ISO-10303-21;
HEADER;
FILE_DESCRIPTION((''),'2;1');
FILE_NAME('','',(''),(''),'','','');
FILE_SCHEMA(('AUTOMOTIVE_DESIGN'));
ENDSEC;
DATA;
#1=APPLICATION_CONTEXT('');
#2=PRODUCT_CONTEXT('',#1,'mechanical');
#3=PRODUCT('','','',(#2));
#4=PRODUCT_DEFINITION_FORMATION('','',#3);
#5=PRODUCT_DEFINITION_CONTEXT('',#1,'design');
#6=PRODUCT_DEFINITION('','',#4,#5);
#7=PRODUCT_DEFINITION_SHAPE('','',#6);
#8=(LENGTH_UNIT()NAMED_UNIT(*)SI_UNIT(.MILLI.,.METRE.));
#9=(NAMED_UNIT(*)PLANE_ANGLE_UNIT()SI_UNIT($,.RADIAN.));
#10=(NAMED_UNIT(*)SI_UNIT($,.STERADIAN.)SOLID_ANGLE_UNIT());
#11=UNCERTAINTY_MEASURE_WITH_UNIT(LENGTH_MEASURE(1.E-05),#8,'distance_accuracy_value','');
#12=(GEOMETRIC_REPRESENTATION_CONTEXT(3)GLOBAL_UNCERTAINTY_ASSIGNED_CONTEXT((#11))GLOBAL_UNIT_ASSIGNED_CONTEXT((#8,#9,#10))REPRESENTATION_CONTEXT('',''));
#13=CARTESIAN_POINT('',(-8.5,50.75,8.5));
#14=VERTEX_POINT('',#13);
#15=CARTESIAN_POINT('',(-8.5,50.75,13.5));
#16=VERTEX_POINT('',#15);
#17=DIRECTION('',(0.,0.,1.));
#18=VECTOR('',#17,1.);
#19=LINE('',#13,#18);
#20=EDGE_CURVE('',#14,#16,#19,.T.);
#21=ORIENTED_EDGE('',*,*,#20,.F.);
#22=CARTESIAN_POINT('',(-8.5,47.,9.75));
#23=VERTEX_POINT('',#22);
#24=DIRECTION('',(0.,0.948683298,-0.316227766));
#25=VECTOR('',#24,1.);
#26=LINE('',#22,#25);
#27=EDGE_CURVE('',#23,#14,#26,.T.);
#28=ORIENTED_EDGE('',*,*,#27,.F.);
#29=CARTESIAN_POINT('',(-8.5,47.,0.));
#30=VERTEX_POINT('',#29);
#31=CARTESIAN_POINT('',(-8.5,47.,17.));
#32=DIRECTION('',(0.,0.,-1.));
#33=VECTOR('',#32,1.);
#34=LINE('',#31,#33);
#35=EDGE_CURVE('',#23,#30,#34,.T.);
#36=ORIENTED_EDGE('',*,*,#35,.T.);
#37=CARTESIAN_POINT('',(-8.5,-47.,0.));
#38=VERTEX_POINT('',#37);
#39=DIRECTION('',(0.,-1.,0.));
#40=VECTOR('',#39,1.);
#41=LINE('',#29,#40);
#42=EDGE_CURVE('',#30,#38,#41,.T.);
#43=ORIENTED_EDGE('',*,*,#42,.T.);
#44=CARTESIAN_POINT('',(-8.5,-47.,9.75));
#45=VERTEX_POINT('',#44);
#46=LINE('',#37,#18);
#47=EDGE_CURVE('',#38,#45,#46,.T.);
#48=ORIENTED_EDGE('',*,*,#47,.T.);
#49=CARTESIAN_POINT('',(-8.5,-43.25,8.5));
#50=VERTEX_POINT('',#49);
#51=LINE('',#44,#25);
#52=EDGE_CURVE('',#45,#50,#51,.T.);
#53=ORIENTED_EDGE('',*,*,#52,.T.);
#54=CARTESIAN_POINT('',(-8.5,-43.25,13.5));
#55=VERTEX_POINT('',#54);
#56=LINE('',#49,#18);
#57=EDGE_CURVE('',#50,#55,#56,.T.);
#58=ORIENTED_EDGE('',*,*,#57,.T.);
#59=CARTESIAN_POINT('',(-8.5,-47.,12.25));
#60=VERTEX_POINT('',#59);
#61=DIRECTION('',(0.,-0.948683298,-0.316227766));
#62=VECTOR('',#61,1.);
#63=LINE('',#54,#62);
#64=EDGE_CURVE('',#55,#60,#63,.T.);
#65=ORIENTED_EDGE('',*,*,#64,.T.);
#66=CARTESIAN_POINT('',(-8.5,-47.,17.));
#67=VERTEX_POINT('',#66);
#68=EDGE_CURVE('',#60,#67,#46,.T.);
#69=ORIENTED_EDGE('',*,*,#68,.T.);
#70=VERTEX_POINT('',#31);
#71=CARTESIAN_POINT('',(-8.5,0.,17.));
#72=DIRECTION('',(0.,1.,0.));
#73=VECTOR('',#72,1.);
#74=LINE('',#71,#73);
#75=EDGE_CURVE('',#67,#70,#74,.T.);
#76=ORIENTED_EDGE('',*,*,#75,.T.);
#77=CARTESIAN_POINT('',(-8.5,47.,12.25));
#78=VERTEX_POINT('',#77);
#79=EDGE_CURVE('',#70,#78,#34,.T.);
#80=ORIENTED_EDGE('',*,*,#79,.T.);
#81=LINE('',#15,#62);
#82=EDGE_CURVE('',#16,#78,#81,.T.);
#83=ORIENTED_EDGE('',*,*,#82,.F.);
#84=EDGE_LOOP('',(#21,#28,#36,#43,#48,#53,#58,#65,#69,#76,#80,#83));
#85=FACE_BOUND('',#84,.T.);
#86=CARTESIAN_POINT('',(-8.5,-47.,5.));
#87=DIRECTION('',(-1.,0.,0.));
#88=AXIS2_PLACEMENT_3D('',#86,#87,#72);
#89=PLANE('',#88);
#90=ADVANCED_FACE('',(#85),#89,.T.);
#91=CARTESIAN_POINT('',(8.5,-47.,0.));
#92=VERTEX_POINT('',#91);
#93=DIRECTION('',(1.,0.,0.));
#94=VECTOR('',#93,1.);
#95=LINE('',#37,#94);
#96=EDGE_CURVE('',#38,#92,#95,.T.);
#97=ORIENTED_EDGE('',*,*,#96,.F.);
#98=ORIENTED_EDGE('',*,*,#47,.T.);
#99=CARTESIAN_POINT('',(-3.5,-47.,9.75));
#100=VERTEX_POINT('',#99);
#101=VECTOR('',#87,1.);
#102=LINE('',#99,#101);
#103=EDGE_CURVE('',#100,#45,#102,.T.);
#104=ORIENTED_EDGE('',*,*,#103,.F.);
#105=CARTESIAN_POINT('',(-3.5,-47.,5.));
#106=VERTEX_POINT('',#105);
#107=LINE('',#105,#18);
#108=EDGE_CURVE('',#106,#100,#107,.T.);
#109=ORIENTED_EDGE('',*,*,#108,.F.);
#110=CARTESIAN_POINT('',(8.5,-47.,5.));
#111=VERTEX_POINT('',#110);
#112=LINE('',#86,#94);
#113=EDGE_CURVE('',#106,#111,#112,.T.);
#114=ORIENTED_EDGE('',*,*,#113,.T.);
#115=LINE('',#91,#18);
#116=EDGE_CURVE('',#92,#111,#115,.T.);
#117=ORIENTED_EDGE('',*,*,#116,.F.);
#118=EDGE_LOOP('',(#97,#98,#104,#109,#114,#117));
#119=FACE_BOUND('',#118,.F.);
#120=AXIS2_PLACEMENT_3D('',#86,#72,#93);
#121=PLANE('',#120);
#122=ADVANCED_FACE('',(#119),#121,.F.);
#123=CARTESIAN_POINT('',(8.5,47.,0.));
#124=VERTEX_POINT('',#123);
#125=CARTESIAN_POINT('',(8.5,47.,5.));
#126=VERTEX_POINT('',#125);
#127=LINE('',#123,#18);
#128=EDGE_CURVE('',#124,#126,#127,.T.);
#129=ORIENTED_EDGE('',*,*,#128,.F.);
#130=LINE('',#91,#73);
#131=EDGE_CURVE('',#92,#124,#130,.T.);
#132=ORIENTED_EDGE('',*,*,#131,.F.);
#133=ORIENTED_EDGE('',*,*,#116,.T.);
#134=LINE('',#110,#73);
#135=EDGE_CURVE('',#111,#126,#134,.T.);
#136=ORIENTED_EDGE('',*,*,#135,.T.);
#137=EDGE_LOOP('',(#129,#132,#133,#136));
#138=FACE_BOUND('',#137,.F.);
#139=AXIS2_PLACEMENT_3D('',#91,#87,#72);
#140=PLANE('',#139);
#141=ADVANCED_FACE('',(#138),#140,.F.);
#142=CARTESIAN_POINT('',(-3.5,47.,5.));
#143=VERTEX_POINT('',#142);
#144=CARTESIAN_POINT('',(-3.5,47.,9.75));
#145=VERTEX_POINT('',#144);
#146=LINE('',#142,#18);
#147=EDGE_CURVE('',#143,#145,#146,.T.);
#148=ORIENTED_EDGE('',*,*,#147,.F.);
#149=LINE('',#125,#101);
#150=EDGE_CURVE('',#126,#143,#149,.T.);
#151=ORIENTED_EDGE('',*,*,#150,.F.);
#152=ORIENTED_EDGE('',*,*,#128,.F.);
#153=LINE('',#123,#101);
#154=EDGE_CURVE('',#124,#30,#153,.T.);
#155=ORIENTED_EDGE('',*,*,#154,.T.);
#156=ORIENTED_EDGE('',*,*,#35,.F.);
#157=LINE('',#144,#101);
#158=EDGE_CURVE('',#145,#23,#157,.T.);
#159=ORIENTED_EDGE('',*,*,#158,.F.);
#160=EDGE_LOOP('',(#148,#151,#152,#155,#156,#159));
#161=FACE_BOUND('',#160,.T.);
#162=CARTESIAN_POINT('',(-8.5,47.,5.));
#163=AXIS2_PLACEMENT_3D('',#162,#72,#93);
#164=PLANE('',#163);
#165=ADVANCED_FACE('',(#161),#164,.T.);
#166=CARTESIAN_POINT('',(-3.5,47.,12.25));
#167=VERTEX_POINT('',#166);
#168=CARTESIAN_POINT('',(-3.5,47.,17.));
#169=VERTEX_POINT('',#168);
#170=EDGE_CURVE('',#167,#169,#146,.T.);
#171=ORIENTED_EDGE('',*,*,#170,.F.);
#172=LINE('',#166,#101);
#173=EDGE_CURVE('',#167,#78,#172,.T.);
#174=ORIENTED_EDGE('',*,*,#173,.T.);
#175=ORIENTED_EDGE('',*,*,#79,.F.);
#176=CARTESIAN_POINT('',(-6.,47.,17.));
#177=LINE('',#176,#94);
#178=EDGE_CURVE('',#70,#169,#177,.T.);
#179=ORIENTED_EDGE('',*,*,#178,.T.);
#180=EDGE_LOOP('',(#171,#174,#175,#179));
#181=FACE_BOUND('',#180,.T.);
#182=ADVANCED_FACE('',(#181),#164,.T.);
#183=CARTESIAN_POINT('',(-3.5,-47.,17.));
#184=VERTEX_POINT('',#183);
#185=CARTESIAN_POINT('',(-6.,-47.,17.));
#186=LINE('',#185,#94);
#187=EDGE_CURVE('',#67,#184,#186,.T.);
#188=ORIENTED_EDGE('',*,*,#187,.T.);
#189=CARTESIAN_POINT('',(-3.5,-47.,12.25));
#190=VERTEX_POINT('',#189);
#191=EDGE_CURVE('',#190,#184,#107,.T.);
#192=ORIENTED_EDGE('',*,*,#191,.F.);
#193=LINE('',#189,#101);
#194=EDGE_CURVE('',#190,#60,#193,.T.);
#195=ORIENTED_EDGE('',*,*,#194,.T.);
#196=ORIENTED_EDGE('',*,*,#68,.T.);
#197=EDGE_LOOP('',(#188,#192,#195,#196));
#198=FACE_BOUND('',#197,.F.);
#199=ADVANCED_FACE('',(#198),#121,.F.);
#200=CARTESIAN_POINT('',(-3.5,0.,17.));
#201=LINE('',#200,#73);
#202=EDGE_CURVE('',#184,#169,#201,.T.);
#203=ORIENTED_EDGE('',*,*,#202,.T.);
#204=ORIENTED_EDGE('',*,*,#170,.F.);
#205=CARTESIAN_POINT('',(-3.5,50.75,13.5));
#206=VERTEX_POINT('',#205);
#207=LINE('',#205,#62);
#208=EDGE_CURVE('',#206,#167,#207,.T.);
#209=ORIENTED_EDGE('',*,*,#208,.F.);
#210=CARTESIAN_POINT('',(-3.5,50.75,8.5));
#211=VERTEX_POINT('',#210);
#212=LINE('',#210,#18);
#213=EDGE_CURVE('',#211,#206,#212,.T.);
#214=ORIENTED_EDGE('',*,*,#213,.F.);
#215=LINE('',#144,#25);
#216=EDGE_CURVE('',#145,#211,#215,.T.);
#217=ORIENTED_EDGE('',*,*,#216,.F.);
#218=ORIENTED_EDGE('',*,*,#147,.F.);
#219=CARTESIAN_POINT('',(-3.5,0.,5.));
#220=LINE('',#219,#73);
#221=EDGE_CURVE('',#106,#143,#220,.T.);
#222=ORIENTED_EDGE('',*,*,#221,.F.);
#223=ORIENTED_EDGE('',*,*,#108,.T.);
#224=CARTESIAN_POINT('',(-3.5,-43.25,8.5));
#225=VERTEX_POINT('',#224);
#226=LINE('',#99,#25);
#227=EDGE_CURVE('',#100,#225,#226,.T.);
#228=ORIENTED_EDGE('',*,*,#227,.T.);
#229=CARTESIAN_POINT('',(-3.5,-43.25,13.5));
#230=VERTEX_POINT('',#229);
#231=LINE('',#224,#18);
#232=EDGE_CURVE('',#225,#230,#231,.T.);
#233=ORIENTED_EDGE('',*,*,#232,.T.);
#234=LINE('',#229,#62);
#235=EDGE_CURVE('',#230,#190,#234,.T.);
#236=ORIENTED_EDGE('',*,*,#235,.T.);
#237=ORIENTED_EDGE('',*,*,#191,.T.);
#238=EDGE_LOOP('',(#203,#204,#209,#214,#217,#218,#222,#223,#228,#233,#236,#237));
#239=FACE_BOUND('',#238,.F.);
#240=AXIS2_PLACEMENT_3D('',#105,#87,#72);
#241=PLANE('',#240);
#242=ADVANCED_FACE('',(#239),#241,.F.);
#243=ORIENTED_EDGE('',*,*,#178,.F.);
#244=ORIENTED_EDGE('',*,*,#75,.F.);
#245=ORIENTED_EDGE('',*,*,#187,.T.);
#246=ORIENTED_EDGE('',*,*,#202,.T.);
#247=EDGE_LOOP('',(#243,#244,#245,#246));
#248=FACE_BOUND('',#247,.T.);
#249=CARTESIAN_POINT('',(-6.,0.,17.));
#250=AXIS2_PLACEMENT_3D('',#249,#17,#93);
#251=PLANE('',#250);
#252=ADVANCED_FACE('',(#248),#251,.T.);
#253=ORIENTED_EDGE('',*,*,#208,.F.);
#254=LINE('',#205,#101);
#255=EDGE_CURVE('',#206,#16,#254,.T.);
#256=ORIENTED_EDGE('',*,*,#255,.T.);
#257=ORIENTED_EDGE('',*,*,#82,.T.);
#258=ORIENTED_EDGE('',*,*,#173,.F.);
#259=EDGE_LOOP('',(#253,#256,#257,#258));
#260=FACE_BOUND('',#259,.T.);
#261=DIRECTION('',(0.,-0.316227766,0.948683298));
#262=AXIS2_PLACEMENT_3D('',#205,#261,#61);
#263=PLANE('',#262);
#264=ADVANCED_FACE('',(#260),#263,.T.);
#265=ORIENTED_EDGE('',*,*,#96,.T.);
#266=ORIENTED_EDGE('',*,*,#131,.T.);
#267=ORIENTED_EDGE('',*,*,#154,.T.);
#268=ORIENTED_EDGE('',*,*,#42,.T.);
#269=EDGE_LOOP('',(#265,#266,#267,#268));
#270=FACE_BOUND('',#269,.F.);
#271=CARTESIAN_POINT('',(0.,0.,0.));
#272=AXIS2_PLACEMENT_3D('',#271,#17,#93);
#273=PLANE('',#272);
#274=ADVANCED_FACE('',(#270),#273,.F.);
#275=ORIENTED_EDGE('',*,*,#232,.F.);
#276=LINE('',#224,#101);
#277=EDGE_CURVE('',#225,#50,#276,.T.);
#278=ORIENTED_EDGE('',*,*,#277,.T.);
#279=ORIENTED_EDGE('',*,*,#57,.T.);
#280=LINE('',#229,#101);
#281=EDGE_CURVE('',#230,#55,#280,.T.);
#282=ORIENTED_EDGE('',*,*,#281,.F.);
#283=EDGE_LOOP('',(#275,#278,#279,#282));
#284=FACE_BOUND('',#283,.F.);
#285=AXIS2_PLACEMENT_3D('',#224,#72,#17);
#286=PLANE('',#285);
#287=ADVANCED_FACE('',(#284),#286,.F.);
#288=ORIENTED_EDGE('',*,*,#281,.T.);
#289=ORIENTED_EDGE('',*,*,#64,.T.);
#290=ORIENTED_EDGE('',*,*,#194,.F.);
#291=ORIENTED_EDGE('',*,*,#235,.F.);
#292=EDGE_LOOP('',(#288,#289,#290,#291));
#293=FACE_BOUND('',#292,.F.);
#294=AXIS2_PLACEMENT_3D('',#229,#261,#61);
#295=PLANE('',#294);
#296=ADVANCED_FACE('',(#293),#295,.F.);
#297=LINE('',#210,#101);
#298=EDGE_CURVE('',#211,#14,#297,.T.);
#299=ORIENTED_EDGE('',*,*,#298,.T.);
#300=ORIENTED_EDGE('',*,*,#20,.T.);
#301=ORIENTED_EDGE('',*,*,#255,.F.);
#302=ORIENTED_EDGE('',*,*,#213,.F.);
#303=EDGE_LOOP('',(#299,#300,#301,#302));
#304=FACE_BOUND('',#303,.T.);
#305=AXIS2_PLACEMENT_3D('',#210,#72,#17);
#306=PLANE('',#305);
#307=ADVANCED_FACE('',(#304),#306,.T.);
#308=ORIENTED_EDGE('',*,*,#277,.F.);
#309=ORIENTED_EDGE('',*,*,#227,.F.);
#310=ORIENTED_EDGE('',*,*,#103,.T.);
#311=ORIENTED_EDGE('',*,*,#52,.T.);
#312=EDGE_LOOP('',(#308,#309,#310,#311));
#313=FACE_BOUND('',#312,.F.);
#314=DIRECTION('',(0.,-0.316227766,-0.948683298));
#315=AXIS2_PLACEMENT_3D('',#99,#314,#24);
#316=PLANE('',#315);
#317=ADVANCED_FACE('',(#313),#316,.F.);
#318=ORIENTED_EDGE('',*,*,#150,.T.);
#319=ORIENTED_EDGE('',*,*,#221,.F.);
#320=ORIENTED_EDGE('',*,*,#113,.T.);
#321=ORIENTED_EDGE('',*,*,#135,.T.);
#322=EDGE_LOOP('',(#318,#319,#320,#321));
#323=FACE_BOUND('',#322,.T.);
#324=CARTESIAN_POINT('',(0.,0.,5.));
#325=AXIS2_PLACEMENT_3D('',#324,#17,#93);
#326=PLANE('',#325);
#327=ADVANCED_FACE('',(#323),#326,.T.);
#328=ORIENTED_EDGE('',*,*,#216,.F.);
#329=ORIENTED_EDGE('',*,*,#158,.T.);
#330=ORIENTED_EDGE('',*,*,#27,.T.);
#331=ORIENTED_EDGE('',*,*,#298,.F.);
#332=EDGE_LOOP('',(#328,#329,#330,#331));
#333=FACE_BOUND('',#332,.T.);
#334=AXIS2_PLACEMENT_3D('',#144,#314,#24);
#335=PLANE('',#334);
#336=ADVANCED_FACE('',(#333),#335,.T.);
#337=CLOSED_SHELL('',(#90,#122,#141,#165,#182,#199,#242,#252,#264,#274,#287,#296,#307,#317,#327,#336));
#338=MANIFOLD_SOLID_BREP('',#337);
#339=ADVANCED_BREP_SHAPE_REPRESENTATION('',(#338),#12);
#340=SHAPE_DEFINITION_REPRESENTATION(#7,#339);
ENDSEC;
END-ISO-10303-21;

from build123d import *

# Parameters (mm, degrees)
F1_DEPTH = 5
F2_W     = 5
F2_H     = 94
F3_DEPTH = 12
F5_DEPTH = 5
F8_DEPTH = 5


with BuildPart() as f1:
    # F0 (on Top) → F1 (new body)
    with BuildSketch(Plane.XY):
        Polygon((-8.5, -47), (8.5, -47), (8.5, 47), (3.75, 47), (1.25, 47), (-8.5, 47), align=None)
    extrude(amount=F1_DEPTH)

    # F2 (on face) → F3 (join)
    with BuildSketch(Plane.XY.offset(5)):
        with Locations((-6, 0)):
            Rectangle(F2_W, F2_H)
    extrude(amount=F3_DEPTH)


with BuildPart() as f5:
    # F4 (on face) → F5 (new body)
    with BuildSketch(Plane.YZ.offset(-3.5)):
        Polygon((50.75, 13.5), (47, 12.25), (47, 9.75), (50.75, 8.5), align=None)
    extrude(amount=-F5_DEPTH)


with BuildPart() as f1_1:
    add(f1.part)

    # F6: union F5
    add(f5.part)

    # F7 (on face) → F8 (cut)
    with BuildSketch(Plane.YZ.offset(-3.5)):
        Polygon((-47, 12.25), (-47, 9.75), (-43.25, 8.5), (-43.25, 13.5), align=None)
    extrude(amount=-F8_DEPTH, mode=Mode.SUBTRACT)


solid = f1_1.part
